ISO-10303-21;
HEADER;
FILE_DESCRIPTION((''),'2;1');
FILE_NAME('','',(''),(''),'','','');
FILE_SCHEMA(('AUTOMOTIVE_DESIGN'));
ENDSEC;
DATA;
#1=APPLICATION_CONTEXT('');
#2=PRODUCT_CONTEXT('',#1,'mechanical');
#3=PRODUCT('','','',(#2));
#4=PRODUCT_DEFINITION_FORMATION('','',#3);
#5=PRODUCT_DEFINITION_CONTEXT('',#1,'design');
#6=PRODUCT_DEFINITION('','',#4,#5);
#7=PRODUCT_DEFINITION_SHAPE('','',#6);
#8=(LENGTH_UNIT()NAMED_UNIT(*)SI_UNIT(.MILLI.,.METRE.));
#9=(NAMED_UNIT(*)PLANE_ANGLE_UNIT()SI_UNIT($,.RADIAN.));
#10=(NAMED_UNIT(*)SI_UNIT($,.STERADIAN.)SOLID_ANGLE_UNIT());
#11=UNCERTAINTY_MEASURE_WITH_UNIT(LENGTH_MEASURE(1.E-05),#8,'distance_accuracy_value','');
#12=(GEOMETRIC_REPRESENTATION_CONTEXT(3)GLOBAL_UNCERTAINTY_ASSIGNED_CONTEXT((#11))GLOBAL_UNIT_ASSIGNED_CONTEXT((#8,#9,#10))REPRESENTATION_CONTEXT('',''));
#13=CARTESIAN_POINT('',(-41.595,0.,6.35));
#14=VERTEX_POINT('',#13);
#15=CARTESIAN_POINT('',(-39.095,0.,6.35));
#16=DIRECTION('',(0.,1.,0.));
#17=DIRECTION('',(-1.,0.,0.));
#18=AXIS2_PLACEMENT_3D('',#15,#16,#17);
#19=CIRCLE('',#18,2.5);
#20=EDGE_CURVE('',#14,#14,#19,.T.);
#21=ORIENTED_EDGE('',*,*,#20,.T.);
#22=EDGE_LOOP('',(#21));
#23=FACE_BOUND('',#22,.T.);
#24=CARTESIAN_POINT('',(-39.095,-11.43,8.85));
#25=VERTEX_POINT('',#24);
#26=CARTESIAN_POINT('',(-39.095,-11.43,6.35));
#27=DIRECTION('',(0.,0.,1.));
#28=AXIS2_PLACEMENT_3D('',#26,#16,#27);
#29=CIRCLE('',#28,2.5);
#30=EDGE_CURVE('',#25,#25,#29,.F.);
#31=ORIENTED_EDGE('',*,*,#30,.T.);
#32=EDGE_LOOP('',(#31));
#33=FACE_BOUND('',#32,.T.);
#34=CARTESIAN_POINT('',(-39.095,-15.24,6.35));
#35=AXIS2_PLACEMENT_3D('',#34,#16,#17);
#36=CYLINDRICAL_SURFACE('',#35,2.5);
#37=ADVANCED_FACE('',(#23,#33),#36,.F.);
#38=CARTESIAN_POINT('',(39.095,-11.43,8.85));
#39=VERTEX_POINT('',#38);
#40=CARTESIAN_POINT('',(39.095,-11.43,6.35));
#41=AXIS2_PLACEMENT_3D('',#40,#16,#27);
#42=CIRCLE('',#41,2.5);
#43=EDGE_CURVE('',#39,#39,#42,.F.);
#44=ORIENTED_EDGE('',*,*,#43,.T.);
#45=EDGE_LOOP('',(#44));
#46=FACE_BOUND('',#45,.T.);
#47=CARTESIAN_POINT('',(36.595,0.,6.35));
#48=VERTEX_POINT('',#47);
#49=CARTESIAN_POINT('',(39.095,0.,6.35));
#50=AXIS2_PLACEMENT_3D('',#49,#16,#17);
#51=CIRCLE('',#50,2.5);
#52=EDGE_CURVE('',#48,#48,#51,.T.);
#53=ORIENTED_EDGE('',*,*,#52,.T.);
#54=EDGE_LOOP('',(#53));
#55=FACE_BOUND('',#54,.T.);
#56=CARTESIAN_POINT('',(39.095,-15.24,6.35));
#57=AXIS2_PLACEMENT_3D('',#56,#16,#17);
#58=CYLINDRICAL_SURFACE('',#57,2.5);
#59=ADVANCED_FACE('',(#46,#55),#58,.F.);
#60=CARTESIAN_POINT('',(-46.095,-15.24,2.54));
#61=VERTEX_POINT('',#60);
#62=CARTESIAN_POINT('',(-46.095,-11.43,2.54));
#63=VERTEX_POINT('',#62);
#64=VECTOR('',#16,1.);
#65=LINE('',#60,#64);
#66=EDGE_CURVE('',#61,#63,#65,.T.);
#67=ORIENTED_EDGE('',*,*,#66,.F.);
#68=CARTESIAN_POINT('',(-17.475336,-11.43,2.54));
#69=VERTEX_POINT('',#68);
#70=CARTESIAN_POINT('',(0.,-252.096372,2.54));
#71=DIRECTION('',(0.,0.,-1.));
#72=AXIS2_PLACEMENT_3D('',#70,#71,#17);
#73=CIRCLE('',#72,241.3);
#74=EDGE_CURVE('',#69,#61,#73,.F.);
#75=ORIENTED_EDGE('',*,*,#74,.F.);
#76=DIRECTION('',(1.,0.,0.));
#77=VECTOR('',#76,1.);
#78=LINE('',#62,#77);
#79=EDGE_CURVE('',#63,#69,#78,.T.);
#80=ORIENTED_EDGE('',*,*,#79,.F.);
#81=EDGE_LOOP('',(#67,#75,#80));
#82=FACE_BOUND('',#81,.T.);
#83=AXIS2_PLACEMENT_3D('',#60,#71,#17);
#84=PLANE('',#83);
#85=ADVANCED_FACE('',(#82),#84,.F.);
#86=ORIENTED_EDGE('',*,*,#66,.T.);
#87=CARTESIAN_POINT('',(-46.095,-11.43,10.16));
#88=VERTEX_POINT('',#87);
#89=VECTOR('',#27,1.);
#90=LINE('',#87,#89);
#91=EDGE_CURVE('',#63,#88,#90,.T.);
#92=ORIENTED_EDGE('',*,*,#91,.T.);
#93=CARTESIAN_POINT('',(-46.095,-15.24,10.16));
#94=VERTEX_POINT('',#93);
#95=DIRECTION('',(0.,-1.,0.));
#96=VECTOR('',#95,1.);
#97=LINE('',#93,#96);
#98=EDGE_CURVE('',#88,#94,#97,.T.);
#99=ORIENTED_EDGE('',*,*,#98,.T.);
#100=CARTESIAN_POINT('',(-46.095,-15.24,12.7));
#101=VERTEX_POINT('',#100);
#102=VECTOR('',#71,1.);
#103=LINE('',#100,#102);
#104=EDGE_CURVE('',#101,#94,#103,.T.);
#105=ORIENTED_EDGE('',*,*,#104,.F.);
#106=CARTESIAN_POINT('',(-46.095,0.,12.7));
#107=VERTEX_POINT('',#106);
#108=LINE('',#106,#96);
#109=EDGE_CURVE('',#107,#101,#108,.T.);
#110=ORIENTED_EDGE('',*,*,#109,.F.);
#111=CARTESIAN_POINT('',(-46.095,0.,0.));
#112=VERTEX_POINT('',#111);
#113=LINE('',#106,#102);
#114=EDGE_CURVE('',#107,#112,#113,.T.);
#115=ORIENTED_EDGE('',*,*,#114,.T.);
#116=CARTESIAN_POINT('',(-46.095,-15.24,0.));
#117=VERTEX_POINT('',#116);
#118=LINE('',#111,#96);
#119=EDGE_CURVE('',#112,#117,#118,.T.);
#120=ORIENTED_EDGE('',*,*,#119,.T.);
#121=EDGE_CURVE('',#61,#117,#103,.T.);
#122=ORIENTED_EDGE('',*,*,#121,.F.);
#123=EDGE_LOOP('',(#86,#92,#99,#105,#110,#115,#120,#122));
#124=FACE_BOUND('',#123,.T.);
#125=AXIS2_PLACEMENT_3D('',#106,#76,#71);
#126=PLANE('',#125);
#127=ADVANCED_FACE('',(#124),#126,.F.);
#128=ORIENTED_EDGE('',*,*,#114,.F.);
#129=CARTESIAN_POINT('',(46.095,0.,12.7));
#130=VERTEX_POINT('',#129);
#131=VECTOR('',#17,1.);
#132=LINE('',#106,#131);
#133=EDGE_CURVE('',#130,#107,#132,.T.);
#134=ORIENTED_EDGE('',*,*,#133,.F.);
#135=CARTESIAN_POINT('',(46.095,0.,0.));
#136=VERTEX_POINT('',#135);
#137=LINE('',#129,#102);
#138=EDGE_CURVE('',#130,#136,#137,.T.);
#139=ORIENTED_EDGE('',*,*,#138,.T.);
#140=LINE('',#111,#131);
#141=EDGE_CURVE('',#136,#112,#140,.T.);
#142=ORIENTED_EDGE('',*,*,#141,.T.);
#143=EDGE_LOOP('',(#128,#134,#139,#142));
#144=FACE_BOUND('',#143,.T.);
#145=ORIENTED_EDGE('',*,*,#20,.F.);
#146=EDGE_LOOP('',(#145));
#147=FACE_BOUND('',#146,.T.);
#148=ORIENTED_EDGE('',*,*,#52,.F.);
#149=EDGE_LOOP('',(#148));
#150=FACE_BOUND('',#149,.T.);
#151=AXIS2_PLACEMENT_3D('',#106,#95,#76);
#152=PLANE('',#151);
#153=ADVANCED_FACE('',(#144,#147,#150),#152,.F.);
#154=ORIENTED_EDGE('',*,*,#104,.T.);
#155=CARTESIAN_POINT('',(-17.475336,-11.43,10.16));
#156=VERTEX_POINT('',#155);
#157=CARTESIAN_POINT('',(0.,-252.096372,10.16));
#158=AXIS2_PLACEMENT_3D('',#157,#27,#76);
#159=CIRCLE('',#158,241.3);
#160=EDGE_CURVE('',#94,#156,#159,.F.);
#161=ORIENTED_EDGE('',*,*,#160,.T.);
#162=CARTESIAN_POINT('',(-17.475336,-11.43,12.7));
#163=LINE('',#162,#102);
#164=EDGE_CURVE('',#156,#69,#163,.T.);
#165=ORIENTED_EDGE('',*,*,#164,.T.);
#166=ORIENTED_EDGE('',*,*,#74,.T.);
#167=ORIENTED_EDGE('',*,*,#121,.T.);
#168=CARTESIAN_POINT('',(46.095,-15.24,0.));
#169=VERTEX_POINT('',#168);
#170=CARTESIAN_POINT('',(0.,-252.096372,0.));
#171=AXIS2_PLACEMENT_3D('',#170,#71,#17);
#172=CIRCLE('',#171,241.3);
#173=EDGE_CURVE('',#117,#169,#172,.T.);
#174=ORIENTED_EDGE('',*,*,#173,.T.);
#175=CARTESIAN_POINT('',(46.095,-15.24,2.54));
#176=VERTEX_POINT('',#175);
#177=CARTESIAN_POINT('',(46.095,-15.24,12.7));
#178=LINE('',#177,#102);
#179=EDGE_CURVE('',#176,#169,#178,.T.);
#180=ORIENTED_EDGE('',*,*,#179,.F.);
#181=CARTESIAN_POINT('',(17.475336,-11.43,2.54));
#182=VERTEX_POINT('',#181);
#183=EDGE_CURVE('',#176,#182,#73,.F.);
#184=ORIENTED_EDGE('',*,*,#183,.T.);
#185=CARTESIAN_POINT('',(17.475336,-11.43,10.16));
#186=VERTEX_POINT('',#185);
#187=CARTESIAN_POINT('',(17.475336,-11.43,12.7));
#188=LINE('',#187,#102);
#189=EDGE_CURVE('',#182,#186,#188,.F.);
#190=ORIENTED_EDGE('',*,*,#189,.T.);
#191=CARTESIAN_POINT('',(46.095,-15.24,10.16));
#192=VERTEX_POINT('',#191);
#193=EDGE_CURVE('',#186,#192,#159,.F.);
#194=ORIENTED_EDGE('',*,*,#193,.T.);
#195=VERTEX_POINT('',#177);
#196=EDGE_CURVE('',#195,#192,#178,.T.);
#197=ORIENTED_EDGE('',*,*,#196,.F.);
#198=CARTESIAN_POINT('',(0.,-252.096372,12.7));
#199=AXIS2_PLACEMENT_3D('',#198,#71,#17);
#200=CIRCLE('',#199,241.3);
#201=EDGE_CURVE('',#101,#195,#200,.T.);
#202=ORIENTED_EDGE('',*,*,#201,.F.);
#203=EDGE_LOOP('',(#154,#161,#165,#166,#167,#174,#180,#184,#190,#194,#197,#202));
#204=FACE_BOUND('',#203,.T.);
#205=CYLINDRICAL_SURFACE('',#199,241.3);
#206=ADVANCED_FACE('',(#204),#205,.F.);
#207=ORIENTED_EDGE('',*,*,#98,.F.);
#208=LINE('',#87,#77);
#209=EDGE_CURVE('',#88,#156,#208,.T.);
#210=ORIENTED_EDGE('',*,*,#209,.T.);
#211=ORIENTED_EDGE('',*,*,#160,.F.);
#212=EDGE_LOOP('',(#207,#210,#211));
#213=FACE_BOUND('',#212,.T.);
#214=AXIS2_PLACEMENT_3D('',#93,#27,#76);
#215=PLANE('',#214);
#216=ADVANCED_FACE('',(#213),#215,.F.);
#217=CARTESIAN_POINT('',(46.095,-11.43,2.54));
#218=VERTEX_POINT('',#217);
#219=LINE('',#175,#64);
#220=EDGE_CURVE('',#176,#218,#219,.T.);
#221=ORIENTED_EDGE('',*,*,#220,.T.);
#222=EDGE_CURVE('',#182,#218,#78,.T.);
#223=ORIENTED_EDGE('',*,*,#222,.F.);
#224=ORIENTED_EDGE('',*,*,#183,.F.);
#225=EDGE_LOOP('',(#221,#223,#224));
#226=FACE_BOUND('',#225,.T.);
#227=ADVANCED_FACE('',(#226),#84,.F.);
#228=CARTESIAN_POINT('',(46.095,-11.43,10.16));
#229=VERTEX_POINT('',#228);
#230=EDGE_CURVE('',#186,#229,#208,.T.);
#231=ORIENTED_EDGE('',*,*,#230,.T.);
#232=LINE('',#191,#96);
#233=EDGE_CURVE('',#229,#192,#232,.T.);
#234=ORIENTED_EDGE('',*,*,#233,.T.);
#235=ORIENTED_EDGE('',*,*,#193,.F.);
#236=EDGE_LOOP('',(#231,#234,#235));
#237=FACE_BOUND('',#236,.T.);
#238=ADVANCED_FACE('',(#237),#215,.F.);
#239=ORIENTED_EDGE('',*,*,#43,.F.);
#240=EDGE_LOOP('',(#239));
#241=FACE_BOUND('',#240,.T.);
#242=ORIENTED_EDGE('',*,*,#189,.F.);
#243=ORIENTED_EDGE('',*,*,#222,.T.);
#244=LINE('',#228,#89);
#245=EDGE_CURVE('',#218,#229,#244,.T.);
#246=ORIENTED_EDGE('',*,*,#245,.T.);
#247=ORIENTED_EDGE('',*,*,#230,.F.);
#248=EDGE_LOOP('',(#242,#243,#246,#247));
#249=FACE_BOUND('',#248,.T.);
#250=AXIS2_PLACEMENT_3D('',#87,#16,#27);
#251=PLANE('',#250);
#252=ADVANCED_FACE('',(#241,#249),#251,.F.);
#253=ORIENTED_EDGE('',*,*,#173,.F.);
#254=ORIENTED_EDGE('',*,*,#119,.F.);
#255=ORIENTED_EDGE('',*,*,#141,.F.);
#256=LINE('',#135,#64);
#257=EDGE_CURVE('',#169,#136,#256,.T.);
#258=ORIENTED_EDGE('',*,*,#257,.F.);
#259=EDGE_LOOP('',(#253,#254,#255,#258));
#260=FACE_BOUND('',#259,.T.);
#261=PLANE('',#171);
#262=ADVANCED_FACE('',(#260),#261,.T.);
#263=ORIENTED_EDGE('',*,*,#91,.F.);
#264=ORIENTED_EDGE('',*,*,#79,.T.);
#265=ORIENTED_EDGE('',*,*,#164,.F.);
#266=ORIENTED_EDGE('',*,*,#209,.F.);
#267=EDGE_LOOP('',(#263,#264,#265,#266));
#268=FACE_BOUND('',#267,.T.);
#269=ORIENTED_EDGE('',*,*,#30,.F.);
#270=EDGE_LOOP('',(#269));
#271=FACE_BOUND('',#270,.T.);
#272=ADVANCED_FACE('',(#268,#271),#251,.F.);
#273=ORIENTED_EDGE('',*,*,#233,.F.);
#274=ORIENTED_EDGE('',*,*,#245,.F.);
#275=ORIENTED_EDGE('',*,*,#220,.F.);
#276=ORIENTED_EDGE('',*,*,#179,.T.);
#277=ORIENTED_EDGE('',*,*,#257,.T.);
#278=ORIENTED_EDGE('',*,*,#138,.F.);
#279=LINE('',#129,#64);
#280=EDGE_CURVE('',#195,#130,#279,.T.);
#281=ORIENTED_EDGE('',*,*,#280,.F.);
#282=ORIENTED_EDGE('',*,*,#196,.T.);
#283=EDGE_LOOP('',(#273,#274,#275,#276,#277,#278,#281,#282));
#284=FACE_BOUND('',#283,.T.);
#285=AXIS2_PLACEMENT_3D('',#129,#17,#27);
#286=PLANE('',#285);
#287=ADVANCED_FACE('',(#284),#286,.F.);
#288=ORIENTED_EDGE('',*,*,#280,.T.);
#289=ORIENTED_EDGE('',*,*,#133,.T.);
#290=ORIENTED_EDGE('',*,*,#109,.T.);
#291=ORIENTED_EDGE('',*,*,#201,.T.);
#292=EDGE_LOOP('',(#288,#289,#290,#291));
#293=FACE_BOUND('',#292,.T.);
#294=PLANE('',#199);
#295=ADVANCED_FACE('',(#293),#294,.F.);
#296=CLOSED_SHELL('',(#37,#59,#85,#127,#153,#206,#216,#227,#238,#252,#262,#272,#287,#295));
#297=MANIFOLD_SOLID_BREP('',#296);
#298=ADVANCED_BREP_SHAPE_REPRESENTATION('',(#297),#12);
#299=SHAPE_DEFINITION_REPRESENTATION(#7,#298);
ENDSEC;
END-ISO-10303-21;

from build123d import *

# Parameters (mm, degrees)
BOSS_EXTRUDE1_DEPTH = 12.7
SKETCH2_R           = 2.5
CUT_EXTRUDE1_DEPTH  = 16.24
SKETCH3_W           = 7.62
SKETCH3_H           = 3.81
CUT_EXTRUDE2_DEPTH  = 93.1900001


with BuildPart() as part:
    # Sketch1 → Boss-Extrude1 (new body)
    with BuildSketch(Plane.XY):
        with BuildLine():
            Line((-46.095, 0), (46.095, 0))
            Line((46.095, 0), (46.095, -15.24))
            ThreePointArc((46.095, -15.24), (0, -10.796372038), (-46.095, -15.24))
            Line((-46.095, -15.24), (-46.095, 0))
        make_face()
    extrude(amount=BOSS_EXTRUDE1_DEPTH)

    # Sketch2 → Cut-Extrude1 (cut, through all)
    with BuildSketch(Plane(origin=(0, 0, 0), x_dir=(1, 0, 0), z_dir=(0, 1, 0))):
        with Locations((-39.095, -6.35)):
            Circle(SKETCH2_R)
        with Locations((39.095, -6.35)):
            Circle(SKETCH2_R)
    extrude(amount=-CUT_EXTRUDE1_DEPTH, mode=Mode.SUBTRACT)

    # Sketch3 → Cut-Extrude2 (cut, through all)
    with BuildSketch(Plane(origin=(46.095, 0, 0), x_dir=(0, 0, -1), z_dir=(1, 0, 0))):
        with Locations((-6.35, -13.335)):
            Rectangle(SKETCH3_W, SKETCH3_H)
    extrude(amount=-CUT_EXTRUDE2_DEPTH, mode=Mode.SUBTRACT)


solid = part.part
